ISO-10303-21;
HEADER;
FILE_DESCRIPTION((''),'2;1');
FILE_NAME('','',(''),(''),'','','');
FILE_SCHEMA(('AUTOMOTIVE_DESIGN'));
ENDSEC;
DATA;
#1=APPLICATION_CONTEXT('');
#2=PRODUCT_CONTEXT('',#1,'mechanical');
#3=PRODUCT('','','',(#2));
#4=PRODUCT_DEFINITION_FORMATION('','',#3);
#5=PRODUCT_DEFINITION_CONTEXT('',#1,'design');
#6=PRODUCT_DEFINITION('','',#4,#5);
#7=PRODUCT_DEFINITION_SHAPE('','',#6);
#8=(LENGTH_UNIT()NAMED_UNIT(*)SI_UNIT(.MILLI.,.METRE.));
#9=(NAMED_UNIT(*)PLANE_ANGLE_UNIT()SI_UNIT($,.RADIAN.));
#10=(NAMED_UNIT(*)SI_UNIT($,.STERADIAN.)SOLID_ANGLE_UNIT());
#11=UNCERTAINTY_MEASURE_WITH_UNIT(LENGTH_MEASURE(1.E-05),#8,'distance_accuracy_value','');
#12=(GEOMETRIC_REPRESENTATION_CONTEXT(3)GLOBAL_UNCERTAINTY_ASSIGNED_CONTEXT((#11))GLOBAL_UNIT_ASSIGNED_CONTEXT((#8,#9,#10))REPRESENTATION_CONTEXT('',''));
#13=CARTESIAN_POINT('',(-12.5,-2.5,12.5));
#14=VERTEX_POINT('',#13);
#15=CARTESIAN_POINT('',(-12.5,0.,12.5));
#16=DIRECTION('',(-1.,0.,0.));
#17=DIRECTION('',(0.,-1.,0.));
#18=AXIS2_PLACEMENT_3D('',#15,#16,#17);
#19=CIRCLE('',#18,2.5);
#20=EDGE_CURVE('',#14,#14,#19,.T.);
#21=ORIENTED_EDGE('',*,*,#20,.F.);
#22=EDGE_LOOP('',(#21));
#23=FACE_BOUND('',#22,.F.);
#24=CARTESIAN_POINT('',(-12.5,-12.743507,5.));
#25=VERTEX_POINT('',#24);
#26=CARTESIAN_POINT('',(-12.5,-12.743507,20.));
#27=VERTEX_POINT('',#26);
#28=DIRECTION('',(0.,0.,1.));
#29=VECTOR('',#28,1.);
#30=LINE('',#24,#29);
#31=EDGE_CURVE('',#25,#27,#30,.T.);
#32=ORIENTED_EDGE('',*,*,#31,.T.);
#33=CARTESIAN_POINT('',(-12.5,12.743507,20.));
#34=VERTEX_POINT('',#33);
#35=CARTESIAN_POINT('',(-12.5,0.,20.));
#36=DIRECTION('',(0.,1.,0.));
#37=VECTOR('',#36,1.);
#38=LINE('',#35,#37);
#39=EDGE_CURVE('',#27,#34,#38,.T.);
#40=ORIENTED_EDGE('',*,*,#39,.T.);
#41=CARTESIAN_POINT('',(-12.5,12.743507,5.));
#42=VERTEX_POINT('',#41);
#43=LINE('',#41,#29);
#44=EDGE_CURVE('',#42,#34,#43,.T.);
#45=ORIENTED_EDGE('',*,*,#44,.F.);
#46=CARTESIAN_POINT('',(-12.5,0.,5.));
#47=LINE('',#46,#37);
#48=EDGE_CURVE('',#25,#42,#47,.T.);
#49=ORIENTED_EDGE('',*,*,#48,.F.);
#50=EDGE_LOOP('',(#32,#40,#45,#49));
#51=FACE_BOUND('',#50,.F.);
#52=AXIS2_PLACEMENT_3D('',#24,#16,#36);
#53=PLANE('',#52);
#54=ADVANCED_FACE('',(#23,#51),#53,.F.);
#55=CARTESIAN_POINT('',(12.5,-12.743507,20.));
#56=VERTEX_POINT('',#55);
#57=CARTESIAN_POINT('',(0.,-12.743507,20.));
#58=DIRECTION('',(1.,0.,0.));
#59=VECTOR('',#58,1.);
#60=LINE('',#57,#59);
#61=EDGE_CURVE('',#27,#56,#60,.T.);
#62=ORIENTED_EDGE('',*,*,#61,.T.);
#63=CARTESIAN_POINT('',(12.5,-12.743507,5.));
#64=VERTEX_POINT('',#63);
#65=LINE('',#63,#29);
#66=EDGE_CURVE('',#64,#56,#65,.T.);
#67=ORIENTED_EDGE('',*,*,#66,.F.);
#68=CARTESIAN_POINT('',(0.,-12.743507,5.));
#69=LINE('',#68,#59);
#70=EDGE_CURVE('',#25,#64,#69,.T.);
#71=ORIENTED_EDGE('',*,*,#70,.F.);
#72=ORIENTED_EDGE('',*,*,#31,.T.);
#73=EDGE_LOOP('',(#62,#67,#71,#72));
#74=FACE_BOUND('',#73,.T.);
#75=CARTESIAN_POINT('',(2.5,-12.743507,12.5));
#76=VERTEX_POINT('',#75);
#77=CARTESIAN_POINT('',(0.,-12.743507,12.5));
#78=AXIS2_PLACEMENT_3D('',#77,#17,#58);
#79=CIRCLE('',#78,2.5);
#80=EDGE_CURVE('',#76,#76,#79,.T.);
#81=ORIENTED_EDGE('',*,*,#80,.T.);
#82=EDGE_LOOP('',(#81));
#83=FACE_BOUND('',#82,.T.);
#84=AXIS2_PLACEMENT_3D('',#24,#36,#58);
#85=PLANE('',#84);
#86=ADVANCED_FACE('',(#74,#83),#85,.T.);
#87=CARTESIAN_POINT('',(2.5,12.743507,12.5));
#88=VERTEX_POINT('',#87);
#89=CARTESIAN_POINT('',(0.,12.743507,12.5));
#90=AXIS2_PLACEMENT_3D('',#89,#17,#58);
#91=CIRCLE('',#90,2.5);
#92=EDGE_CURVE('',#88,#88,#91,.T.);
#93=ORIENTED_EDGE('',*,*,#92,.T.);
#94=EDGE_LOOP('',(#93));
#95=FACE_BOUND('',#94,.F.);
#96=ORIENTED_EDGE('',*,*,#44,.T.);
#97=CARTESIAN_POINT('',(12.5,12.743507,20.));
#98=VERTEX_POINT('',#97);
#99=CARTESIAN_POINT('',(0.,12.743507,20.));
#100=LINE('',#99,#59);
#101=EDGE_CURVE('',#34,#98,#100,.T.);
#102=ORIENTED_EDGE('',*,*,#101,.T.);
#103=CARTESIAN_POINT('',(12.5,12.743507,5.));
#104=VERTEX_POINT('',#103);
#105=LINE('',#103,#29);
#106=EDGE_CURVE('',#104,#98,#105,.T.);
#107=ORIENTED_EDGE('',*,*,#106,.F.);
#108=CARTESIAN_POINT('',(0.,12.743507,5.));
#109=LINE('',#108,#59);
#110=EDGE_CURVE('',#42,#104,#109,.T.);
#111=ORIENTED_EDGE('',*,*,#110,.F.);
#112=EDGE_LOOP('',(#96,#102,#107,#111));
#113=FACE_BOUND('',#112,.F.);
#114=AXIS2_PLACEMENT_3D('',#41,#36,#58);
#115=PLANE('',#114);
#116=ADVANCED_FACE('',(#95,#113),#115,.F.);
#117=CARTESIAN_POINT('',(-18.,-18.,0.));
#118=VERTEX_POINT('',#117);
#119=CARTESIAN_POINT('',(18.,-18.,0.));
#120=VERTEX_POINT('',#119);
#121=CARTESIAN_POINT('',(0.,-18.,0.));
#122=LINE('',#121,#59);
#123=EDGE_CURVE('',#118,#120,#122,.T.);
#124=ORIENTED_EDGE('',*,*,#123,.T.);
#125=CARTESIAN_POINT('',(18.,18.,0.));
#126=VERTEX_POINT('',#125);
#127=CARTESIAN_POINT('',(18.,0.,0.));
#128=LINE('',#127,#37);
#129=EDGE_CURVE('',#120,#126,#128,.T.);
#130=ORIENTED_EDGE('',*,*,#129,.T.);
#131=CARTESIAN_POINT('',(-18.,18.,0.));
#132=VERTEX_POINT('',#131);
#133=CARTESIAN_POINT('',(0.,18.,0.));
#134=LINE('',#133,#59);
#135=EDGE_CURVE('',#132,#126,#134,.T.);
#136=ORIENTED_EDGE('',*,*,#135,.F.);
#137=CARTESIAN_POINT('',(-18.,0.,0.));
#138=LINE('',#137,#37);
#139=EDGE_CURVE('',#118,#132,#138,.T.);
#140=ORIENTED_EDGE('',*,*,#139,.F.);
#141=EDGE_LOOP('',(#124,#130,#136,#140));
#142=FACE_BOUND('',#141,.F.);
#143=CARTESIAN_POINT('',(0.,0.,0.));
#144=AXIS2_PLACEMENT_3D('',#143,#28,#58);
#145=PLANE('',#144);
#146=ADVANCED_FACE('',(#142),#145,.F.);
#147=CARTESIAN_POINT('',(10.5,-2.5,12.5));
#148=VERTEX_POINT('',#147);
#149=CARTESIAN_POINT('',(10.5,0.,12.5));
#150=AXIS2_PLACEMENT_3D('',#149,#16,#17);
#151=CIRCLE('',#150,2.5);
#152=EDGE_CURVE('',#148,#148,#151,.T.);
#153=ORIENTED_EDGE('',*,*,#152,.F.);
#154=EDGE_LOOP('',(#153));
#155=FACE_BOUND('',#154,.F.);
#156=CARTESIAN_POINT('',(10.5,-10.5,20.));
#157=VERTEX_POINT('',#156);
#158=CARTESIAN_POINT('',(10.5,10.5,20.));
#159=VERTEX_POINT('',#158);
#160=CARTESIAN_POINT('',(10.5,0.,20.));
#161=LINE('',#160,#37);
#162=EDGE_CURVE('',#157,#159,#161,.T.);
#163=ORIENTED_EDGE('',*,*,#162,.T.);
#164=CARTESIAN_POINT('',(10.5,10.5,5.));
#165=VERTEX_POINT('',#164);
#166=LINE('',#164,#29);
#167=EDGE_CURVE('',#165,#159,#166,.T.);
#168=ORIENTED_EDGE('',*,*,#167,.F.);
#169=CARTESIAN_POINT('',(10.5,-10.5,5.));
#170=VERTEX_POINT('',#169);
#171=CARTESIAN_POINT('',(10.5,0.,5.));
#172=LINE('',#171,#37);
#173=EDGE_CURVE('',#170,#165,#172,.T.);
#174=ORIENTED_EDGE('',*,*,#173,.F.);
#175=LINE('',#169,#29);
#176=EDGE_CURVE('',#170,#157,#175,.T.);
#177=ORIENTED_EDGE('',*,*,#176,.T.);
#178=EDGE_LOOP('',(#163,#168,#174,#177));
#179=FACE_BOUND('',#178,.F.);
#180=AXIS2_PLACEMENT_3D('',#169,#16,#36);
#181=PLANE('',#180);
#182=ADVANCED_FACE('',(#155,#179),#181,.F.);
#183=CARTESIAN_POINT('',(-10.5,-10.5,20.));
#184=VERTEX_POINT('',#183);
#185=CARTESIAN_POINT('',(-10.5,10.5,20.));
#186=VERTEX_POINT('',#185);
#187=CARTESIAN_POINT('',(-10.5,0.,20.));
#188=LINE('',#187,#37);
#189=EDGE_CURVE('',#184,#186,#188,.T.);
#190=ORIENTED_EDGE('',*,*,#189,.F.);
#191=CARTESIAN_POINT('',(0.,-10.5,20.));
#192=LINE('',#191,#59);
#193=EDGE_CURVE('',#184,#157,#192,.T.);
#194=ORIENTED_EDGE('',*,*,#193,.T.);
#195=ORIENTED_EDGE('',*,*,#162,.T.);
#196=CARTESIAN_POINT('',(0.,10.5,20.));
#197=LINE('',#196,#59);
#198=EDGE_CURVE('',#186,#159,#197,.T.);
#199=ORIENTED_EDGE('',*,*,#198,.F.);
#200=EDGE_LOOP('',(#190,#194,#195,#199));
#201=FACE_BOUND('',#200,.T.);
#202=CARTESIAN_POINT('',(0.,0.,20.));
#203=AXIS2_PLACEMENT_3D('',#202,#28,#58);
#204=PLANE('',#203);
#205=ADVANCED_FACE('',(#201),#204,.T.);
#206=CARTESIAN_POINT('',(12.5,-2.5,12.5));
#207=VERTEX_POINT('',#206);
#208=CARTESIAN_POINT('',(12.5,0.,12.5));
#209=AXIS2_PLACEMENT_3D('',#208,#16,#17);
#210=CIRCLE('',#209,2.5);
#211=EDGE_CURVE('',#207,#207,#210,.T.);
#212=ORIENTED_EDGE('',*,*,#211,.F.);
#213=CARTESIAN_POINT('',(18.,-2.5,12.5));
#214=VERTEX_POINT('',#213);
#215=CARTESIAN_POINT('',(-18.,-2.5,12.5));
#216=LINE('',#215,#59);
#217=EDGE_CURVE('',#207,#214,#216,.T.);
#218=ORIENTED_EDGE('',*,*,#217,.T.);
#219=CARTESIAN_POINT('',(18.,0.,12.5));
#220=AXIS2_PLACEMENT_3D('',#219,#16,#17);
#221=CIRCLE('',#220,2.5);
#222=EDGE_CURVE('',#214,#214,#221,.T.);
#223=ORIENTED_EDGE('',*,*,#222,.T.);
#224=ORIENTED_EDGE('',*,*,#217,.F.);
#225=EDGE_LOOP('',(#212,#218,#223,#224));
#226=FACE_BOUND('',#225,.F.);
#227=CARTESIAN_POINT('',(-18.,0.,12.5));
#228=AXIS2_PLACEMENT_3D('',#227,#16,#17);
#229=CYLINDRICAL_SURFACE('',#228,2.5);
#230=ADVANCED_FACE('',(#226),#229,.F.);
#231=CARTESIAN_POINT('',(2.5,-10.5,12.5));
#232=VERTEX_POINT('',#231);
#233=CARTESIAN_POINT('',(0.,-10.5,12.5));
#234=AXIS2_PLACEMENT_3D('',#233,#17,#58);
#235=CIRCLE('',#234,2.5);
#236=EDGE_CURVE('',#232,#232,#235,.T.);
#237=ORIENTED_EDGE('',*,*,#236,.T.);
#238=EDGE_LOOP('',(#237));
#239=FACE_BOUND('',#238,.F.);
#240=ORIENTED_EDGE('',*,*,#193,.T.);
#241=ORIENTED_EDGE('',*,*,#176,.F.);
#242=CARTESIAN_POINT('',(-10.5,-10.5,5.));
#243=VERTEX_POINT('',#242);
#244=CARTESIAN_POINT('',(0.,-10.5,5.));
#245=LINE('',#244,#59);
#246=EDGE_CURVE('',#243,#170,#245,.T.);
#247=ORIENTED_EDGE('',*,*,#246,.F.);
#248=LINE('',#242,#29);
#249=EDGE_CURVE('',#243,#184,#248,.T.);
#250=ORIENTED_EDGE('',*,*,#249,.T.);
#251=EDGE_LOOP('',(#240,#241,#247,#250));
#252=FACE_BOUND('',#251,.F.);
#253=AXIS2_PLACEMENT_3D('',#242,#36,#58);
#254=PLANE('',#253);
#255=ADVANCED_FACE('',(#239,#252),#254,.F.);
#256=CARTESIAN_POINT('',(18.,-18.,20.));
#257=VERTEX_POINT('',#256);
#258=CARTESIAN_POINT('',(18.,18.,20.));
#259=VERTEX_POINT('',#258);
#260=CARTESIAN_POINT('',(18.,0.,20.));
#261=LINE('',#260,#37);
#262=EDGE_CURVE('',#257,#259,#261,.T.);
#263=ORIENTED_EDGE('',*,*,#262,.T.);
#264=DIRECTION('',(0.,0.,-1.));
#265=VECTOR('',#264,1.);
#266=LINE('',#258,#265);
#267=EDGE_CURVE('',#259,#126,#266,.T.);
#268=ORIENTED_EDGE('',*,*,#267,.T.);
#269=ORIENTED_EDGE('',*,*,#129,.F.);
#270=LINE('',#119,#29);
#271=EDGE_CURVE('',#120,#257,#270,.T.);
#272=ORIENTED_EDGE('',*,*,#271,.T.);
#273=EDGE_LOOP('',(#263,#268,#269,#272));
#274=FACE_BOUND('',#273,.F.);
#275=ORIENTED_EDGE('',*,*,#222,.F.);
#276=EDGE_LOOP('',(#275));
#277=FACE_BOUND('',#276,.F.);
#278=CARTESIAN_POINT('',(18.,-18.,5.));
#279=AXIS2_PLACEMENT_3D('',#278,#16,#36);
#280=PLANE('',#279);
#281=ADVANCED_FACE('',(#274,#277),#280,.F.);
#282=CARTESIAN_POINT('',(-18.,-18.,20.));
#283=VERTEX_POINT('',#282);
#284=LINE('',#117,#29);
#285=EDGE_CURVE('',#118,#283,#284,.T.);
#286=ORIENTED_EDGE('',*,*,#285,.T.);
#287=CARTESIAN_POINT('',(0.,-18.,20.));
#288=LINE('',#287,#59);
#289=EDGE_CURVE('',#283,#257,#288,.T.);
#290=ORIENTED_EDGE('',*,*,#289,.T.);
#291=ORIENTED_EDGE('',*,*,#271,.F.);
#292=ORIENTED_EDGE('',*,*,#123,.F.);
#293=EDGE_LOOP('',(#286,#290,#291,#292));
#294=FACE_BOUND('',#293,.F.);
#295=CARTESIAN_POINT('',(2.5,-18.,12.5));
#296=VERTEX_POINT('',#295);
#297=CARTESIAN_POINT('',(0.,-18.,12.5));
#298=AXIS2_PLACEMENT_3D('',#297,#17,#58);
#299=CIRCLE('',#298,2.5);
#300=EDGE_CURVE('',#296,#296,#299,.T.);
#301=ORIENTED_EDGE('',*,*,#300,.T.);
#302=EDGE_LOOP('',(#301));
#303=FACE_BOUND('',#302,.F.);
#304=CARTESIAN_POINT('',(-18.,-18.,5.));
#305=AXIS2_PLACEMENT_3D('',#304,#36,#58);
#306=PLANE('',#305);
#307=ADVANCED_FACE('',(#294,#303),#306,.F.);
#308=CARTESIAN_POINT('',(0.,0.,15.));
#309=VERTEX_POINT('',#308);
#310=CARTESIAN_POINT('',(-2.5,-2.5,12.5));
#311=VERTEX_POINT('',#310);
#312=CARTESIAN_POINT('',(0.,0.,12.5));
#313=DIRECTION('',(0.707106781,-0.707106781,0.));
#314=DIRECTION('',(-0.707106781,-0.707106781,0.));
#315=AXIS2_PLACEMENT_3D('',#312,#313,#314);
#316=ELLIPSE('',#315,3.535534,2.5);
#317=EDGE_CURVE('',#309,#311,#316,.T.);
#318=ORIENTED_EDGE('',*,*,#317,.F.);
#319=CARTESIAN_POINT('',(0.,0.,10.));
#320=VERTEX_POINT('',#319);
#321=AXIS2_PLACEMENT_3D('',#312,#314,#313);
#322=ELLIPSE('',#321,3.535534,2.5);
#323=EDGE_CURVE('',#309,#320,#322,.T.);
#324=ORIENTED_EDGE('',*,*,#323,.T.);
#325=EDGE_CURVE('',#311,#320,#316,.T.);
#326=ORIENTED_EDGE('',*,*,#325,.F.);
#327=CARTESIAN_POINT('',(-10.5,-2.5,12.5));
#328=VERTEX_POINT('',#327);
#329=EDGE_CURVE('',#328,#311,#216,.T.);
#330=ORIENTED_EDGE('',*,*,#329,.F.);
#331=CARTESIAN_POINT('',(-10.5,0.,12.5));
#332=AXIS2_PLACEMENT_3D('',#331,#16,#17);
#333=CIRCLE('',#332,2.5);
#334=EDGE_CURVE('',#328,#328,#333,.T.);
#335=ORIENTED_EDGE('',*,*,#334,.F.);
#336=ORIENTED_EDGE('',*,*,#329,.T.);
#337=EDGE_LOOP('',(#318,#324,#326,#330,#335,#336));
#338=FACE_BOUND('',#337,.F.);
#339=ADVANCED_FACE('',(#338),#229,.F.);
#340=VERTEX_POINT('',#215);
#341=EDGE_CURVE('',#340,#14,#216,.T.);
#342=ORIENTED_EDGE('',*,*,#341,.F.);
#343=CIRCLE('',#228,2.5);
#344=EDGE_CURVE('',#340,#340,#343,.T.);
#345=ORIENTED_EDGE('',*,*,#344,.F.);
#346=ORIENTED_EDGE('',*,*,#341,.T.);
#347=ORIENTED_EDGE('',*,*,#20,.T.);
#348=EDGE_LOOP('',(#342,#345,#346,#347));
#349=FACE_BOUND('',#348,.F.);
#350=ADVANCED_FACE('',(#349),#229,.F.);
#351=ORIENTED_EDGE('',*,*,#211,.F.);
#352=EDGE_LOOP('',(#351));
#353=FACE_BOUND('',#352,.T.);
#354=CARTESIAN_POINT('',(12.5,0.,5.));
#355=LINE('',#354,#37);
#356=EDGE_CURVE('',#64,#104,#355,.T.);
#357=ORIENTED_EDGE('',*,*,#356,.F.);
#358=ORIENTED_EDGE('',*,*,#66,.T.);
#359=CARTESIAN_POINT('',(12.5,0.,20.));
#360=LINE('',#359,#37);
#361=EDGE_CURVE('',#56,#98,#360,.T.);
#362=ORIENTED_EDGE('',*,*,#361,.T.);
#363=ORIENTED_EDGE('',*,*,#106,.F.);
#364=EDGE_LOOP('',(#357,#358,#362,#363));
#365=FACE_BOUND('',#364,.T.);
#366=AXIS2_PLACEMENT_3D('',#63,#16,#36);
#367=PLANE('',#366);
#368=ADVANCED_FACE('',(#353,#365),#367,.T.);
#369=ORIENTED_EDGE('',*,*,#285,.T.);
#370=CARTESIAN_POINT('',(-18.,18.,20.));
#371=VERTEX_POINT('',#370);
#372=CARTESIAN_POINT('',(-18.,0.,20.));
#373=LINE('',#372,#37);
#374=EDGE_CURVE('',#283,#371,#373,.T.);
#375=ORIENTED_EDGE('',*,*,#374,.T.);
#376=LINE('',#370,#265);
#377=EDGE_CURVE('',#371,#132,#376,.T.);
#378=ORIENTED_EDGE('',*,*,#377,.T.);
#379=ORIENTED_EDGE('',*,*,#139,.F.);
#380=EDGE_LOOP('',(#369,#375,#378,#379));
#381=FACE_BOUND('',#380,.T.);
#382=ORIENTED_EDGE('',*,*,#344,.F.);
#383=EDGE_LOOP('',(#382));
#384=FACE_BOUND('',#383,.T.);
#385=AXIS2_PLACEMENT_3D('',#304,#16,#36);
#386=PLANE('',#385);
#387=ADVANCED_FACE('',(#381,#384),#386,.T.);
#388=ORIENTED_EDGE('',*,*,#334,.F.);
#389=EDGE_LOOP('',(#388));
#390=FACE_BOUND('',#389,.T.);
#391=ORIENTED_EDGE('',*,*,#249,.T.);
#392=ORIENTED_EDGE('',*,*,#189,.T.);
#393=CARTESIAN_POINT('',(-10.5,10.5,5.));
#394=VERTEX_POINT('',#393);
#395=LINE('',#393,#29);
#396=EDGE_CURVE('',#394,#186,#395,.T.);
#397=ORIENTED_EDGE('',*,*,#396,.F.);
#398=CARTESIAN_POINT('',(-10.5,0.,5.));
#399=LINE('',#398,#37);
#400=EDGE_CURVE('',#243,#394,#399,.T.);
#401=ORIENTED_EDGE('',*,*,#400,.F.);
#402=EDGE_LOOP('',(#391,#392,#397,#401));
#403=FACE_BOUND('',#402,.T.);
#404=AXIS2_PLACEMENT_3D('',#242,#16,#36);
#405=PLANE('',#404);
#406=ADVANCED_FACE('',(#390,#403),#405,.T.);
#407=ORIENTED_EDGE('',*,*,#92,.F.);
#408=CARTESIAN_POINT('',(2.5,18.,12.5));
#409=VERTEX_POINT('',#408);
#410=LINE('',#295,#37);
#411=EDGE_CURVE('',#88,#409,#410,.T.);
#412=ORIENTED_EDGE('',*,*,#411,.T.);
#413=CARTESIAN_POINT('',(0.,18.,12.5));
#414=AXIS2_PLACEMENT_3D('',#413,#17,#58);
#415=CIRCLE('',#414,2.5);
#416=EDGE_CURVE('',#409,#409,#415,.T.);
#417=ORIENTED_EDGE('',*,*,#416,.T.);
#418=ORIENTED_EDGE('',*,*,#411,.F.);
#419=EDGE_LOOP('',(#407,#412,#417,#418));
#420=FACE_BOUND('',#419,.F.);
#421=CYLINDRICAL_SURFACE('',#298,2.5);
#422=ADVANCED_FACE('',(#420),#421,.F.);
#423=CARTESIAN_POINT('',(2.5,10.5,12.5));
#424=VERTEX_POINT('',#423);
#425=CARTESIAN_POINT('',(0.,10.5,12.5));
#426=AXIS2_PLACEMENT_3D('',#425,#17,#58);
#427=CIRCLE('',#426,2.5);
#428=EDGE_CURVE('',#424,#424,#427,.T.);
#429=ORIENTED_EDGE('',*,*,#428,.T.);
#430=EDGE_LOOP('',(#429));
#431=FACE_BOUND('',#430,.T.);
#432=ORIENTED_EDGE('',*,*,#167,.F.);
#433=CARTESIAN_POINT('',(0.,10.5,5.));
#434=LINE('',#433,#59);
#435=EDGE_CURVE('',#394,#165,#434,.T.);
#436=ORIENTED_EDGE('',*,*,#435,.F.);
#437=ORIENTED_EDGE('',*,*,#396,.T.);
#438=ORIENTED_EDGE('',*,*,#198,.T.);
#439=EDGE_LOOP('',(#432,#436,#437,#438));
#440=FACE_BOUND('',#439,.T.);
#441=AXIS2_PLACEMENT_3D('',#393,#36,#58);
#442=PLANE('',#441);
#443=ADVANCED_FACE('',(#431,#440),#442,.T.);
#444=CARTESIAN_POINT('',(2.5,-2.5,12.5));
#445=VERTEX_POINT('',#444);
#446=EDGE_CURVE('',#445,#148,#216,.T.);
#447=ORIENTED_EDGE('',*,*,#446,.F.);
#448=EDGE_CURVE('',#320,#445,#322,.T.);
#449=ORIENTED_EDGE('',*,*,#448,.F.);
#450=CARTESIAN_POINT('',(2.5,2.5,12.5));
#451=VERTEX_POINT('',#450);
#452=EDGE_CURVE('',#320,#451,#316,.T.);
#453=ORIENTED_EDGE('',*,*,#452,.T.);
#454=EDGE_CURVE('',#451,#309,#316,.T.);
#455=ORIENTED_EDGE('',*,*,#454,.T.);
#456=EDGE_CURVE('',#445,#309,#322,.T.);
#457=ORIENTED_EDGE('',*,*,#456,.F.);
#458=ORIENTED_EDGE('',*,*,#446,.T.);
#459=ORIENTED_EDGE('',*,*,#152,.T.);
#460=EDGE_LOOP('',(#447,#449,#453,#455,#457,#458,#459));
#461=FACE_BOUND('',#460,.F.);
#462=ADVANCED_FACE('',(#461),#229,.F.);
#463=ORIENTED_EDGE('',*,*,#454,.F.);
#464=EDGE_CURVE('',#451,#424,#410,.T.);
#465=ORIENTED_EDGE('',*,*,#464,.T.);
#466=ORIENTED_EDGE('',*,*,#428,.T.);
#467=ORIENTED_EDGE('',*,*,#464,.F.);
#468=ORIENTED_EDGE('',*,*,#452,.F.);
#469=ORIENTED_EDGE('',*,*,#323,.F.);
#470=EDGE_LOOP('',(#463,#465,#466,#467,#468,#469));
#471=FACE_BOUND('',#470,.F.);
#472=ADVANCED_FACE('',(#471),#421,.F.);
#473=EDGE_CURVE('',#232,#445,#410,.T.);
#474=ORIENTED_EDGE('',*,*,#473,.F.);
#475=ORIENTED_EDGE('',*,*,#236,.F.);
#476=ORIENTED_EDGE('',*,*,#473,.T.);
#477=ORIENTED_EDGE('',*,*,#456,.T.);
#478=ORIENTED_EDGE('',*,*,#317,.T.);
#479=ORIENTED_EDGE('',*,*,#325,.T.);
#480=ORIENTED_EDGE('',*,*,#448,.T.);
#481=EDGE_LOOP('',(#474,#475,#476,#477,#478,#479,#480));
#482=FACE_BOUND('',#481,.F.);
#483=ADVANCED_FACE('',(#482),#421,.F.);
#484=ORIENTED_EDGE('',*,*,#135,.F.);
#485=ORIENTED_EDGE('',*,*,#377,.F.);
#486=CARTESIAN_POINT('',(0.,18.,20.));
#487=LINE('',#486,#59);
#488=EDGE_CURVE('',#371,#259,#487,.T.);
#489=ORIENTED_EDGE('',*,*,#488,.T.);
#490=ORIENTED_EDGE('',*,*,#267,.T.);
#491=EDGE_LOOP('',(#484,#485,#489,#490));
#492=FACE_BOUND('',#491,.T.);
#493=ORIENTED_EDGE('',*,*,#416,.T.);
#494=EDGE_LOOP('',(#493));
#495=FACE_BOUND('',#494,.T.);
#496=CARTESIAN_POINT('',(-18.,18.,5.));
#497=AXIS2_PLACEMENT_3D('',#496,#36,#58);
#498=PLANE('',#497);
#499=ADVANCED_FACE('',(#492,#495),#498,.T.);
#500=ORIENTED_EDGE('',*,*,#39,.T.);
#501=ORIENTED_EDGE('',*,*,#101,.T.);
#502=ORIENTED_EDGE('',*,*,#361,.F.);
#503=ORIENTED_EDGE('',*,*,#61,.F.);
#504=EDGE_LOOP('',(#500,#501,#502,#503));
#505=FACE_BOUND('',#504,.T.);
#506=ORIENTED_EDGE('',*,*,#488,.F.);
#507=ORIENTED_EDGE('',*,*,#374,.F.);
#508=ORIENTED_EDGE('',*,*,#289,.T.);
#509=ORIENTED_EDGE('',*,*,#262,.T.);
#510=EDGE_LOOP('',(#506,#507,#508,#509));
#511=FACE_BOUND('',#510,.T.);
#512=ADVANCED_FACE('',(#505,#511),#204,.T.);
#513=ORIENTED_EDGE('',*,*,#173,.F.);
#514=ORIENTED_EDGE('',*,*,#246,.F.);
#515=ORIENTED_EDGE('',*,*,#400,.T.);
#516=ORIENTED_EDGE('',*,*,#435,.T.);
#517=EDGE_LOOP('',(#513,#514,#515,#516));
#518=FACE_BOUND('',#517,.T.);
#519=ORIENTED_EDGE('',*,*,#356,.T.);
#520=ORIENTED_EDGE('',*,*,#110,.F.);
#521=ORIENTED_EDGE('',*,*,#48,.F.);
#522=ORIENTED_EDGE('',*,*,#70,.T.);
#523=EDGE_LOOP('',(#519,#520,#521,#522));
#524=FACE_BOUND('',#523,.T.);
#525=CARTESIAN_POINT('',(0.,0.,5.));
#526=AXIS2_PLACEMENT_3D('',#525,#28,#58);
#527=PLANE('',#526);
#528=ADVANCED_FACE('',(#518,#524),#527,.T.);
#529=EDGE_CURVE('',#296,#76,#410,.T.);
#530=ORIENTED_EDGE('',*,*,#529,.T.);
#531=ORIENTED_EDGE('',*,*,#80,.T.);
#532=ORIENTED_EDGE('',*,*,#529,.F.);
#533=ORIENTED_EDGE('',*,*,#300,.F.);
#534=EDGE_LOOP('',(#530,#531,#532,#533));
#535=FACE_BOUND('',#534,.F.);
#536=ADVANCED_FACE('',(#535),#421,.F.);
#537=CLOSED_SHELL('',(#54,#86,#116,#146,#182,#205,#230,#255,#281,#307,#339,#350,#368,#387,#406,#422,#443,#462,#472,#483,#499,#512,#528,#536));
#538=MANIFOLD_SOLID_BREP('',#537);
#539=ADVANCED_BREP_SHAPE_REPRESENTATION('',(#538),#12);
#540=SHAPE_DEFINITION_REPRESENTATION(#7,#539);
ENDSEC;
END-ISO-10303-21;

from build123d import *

# Parameters (mm, degrees)
F0_W     = 36
F0_H     = 36
F1_DEPTH = 5
F2_W     = 21
F2_H     = 21
F3_DEPTH = 15
F4_W     = 36
F4_H     = 36
F4_W_2   = 25
F4_H_2   = 25.4870138154
F5_DEPTH = 15
F6_R     = 2.5
F7_DEPTH = 40
F8_R     = 2.5
F9_DEPTH = 40


with BuildPart() as f1:
    # F0 (on Top) → F1 (new body)
    with BuildSketch(Plane.XY):
        Rectangle(F0_W, F0_H)
    extrude(amount=F1_DEPTH)

    # F2 (on face) → F3 (join)
    with BuildSketch(Plane.XY.offset(5)):
        Rectangle(F2_W, F2_H)
    extrude(amount=F3_DEPTH)

    # F4 (on face) → F5 (join)
    with BuildSketch(Plane.XY.offset(5)):
        Rectangle(F4_W, F4_H)
        Rectangle(F4_W_2, F4_H_2, mode=Mode.SUBTRACT)
    extrude(amount=F5_DEPTH)

    # F6 (on face) → F7 (cut)
    with BuildSketch(Plane.XZ.offset(18)):
        with Locations((0, 12.5)):
            Circle(F6_R)
    extrude(amount=-F7_DEPTH, mode=Mode.SUBTRACT)

    # F8 (on face) → F9 (cut)
    with BuildSketch(Plane(origin=(-18, 0, 0), x_dir=(0, -1, 0), z_dir=(-1, 0, 0))):
        with Locations((0, 12.5)):
            Circle(F8_R)
    extrude(amount=-F9_DEPTH, mode=Mode.SUBTRACT)


solid = f1.part
